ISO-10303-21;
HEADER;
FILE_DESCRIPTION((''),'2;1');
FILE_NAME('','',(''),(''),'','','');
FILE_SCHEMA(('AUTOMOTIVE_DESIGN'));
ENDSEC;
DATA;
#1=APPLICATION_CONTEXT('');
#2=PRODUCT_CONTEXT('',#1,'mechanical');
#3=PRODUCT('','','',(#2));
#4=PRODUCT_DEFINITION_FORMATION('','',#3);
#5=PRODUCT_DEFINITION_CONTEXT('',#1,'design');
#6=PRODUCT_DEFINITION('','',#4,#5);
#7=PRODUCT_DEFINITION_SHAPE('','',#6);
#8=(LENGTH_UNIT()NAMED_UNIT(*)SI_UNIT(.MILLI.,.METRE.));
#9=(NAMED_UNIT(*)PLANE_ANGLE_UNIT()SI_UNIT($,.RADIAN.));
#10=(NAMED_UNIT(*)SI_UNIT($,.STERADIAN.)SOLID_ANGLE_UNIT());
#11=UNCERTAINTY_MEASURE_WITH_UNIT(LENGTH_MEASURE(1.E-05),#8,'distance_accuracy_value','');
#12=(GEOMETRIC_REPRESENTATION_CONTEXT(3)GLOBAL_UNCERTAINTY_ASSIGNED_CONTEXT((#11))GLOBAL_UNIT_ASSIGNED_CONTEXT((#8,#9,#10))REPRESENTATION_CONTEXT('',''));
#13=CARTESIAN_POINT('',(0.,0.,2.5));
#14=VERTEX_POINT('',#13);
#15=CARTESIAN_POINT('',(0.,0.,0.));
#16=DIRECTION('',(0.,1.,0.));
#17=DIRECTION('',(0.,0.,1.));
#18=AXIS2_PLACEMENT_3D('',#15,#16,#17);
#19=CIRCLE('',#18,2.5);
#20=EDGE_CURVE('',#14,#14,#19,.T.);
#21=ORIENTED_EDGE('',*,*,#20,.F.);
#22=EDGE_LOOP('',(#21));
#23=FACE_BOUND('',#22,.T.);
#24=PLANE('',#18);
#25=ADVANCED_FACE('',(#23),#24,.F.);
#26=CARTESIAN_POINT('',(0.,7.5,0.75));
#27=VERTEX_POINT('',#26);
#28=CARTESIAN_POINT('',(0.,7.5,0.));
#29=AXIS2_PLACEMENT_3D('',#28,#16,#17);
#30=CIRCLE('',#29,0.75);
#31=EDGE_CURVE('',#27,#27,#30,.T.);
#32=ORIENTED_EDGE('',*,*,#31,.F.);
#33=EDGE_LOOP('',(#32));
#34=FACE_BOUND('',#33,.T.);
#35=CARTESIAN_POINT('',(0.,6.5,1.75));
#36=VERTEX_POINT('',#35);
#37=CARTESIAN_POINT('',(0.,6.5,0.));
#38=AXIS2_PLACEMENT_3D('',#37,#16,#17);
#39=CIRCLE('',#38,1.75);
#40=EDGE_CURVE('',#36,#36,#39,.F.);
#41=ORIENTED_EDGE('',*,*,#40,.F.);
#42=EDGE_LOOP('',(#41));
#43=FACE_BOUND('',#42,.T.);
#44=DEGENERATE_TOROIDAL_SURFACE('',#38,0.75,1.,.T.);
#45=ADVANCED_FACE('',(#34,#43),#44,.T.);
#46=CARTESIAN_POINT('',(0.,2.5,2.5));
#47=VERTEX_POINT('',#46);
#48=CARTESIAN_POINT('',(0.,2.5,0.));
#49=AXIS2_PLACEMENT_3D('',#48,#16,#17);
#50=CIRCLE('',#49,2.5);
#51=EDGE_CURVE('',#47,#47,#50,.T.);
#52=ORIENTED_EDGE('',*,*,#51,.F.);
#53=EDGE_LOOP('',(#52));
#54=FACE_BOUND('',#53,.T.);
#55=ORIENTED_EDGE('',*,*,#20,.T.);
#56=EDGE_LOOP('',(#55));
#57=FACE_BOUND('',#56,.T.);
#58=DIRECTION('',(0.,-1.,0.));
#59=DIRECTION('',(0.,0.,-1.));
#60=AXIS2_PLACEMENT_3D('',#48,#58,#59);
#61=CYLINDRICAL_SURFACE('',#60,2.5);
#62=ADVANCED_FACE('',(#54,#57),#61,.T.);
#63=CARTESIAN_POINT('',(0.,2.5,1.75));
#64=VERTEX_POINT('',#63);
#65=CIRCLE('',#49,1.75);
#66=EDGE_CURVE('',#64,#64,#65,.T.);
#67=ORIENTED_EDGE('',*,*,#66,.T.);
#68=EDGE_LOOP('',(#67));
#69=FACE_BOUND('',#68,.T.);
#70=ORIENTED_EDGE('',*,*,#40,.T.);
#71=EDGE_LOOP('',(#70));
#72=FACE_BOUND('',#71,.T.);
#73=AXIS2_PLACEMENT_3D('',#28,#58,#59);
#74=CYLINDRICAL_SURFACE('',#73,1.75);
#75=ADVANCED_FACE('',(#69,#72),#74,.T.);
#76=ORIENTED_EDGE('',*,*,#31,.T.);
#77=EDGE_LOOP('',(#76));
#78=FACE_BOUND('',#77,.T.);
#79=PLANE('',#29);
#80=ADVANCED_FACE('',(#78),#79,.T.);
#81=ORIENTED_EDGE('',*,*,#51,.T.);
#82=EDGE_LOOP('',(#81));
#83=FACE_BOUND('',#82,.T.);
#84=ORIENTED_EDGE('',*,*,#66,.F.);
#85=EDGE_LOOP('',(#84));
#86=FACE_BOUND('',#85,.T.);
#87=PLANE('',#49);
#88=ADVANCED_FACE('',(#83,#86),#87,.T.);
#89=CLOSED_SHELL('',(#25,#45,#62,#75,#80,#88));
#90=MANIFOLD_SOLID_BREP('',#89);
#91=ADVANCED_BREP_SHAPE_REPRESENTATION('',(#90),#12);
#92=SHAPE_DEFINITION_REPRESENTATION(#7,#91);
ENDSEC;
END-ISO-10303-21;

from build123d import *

# Parameters (mm, degrees)
SKETCH1_R           = 2.5
BOSS_EXTRUDE1_DEPTH = 2.5
SKETCH2_R           = 1.75
BOSS_EXTRUDE2_DEPTH = 5
FILLET1_R           = 1


with BuildPart() as part:
    # Sketch1 → Boss-Extrude1 (new body)
    with BuildSketch(Plane(origin=(0, 0, 0), x_dir=(1, 0, 0), z_dir=(0, 1, 0))):
        Circle(SKETCH1_R)
    extrude(amount=BOSS_EXTRUDE1_DEPTH)

    # Sketch2 → Boss-Extrude2 (add)
    with BuildSketch(Plane(origin=(0, 2.5, 0), x_dir=(1, 0, 0), z_dir=(0, 1, 0))):
        Circle(SKETCH2_R)
    extrude(amount=BOSS_EXTRUDE2_DEPTH)

    # Fillet1
    fillet1_edges = [part.edges().sort_by_distance(p)[0] for p in [
        (-1.75, 7.5, 0),
    ]]
    fillet(fillet1_edges, radius=FILLET1_R)


solid = part.part
